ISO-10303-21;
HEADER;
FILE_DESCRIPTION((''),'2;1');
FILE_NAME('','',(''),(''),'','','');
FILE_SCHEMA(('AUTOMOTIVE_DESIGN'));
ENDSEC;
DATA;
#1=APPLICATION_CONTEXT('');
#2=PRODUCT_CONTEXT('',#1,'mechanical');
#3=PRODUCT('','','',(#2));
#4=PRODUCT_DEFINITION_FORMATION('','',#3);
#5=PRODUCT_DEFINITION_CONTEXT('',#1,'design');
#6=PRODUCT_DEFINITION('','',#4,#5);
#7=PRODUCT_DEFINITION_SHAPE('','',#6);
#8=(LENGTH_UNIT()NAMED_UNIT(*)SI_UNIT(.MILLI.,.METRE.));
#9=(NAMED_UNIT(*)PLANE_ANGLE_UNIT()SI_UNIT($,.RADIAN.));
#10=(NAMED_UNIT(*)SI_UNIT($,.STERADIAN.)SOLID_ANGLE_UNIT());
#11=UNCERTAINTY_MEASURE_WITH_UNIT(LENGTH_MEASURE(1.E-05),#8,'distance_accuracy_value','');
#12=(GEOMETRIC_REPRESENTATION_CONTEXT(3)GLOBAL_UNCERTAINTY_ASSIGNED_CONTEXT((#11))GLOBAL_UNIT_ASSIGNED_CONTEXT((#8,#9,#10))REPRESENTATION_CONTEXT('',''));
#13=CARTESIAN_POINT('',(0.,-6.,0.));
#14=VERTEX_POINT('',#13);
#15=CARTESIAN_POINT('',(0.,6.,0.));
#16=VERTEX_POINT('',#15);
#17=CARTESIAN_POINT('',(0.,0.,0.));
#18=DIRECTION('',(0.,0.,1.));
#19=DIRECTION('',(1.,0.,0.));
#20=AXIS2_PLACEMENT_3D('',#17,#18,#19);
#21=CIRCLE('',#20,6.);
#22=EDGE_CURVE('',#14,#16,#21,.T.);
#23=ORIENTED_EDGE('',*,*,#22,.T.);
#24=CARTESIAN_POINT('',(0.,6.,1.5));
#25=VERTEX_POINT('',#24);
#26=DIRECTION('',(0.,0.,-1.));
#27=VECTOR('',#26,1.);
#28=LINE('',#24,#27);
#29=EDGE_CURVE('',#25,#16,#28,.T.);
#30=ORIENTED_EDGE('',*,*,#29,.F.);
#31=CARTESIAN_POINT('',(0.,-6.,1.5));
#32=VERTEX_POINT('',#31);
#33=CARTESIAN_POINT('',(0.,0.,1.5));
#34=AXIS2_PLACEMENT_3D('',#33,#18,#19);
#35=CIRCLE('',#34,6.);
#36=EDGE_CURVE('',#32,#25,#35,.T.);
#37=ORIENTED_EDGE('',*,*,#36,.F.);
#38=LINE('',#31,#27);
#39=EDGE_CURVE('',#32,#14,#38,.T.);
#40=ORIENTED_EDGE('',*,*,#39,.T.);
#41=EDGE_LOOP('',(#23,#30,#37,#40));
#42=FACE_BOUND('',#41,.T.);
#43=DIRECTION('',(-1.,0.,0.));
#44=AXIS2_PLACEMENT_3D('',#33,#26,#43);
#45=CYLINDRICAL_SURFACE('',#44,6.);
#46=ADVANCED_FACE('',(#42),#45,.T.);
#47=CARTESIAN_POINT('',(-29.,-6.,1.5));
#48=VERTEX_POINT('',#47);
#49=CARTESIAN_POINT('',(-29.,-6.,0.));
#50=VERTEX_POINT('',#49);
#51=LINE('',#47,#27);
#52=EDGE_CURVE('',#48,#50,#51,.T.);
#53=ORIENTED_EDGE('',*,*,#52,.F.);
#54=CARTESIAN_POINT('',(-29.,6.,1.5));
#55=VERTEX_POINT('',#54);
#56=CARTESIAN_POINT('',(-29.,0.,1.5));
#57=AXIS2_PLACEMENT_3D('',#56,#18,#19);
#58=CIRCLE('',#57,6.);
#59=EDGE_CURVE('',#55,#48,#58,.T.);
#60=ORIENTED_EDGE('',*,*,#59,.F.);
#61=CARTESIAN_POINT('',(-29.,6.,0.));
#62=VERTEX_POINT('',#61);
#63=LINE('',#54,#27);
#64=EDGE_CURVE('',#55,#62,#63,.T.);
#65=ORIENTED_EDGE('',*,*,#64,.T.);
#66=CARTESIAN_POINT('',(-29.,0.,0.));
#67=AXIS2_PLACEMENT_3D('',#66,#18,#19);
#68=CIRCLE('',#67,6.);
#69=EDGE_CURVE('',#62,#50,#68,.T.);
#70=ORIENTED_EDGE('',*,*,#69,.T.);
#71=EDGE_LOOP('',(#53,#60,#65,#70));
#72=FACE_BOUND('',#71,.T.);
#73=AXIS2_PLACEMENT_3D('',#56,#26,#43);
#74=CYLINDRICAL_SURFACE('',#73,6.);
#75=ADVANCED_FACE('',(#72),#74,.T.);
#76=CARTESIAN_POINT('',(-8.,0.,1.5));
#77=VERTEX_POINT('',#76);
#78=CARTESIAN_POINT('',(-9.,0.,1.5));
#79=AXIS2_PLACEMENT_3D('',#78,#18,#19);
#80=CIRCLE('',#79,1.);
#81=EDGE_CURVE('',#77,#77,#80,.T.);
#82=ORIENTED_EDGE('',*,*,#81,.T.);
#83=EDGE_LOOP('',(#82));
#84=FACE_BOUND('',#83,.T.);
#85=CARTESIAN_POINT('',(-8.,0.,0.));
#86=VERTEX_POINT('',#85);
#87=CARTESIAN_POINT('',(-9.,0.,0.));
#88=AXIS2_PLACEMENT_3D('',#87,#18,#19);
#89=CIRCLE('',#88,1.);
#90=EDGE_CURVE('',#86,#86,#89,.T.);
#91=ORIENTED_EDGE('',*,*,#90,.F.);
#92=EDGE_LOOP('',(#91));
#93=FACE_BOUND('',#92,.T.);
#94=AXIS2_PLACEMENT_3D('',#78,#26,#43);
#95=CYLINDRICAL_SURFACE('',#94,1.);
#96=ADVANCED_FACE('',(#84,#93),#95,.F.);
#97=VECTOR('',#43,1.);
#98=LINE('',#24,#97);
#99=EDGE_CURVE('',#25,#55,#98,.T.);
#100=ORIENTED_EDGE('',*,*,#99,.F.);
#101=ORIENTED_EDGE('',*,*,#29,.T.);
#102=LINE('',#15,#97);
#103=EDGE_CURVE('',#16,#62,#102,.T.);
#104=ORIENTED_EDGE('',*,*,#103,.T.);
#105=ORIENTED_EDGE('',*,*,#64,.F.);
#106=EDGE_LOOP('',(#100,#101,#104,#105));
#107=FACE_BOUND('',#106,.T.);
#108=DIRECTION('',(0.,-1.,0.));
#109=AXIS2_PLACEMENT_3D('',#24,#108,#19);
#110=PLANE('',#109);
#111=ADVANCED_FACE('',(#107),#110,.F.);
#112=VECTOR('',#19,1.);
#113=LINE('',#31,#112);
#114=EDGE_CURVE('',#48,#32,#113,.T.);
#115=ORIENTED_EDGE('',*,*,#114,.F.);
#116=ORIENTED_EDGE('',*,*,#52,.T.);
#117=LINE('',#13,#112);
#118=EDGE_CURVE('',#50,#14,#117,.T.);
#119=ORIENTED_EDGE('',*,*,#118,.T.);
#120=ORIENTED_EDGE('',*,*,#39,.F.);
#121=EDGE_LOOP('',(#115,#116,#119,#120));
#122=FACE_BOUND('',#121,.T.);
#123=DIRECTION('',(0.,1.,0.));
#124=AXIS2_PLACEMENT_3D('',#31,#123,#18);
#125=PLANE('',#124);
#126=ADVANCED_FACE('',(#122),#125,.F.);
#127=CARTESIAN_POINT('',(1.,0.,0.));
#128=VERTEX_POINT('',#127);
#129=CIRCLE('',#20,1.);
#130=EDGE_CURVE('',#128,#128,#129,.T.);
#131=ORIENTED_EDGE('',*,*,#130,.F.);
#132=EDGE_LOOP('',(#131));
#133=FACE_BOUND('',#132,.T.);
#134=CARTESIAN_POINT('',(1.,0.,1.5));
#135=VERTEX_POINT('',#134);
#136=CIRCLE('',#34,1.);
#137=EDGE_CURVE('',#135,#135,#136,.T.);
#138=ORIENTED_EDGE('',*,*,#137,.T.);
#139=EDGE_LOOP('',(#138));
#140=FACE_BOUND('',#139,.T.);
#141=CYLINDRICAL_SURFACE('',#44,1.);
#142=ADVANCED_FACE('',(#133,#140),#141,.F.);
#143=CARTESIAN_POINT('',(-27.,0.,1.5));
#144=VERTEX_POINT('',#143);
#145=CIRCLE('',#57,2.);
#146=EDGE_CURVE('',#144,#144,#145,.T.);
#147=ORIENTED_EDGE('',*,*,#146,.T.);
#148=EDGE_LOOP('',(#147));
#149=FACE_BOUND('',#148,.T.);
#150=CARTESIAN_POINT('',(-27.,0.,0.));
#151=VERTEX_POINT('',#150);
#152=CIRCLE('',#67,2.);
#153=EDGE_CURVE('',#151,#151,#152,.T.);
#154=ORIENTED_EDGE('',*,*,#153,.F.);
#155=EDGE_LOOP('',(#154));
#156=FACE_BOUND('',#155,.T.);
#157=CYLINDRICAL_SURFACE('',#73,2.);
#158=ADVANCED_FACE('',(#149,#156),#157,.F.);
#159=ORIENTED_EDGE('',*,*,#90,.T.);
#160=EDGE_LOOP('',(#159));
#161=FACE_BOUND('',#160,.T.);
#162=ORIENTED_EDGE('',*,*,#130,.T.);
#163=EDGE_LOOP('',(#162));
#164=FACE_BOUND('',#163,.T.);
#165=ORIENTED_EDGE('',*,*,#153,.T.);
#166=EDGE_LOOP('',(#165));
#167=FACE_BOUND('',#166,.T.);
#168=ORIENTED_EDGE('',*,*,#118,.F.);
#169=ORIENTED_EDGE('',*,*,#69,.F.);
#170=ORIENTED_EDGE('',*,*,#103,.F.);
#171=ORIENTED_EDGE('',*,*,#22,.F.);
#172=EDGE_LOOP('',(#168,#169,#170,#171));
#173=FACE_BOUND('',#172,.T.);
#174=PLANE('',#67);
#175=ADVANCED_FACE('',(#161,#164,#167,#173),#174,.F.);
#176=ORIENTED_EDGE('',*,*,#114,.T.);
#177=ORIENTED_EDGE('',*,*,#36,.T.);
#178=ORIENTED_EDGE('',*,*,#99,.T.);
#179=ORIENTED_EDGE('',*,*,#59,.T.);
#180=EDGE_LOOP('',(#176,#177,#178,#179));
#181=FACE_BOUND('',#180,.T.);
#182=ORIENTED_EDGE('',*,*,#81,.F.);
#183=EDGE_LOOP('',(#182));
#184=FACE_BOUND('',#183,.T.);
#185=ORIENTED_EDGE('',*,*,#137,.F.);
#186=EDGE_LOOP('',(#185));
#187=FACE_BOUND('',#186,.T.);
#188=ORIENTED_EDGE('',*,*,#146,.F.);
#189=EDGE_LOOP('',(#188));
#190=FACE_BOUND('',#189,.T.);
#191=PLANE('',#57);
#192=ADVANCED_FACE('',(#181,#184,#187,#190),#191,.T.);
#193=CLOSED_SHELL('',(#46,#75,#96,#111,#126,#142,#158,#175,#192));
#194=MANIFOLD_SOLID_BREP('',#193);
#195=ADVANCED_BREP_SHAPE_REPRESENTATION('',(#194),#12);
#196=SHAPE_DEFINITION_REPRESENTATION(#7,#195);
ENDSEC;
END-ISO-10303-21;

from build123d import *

# Parameters (mm, degrees)
SKETCH2_R           = 1
SKETCH2_R_2         = 2
BOSS_EXTRUDE1_DEPTH = 1.5


with BuildPart() as part:
    # Sketch2 → Boss-Extrude1 (new body)
    with BuildSketch(Plane.XY):
        with BuildLine():
            Line((0, 6), (-29, 6))
            ThreePointArc((-29, 6), (-35, 0), (-29, -6))
            Line((-29, -6), (0, -6))
            ThreePointArc((0, -6), (6, 0), (0, 6))
        make_face()
        Circle(SKETCH2_R, mode=Mode.SUBTRACT)
        with Locations((-9, 0)):
            Circle(SKETCH2_R, mode=Mode.SUBTRACT)
        with Locations((-29, 0)):
            Circle(SKETCH2_R_2, mode=Mode.SUBTRACT)
    extrude(amount=BOSS_EXTRUDE1_DEPTH)


solid = part.part
